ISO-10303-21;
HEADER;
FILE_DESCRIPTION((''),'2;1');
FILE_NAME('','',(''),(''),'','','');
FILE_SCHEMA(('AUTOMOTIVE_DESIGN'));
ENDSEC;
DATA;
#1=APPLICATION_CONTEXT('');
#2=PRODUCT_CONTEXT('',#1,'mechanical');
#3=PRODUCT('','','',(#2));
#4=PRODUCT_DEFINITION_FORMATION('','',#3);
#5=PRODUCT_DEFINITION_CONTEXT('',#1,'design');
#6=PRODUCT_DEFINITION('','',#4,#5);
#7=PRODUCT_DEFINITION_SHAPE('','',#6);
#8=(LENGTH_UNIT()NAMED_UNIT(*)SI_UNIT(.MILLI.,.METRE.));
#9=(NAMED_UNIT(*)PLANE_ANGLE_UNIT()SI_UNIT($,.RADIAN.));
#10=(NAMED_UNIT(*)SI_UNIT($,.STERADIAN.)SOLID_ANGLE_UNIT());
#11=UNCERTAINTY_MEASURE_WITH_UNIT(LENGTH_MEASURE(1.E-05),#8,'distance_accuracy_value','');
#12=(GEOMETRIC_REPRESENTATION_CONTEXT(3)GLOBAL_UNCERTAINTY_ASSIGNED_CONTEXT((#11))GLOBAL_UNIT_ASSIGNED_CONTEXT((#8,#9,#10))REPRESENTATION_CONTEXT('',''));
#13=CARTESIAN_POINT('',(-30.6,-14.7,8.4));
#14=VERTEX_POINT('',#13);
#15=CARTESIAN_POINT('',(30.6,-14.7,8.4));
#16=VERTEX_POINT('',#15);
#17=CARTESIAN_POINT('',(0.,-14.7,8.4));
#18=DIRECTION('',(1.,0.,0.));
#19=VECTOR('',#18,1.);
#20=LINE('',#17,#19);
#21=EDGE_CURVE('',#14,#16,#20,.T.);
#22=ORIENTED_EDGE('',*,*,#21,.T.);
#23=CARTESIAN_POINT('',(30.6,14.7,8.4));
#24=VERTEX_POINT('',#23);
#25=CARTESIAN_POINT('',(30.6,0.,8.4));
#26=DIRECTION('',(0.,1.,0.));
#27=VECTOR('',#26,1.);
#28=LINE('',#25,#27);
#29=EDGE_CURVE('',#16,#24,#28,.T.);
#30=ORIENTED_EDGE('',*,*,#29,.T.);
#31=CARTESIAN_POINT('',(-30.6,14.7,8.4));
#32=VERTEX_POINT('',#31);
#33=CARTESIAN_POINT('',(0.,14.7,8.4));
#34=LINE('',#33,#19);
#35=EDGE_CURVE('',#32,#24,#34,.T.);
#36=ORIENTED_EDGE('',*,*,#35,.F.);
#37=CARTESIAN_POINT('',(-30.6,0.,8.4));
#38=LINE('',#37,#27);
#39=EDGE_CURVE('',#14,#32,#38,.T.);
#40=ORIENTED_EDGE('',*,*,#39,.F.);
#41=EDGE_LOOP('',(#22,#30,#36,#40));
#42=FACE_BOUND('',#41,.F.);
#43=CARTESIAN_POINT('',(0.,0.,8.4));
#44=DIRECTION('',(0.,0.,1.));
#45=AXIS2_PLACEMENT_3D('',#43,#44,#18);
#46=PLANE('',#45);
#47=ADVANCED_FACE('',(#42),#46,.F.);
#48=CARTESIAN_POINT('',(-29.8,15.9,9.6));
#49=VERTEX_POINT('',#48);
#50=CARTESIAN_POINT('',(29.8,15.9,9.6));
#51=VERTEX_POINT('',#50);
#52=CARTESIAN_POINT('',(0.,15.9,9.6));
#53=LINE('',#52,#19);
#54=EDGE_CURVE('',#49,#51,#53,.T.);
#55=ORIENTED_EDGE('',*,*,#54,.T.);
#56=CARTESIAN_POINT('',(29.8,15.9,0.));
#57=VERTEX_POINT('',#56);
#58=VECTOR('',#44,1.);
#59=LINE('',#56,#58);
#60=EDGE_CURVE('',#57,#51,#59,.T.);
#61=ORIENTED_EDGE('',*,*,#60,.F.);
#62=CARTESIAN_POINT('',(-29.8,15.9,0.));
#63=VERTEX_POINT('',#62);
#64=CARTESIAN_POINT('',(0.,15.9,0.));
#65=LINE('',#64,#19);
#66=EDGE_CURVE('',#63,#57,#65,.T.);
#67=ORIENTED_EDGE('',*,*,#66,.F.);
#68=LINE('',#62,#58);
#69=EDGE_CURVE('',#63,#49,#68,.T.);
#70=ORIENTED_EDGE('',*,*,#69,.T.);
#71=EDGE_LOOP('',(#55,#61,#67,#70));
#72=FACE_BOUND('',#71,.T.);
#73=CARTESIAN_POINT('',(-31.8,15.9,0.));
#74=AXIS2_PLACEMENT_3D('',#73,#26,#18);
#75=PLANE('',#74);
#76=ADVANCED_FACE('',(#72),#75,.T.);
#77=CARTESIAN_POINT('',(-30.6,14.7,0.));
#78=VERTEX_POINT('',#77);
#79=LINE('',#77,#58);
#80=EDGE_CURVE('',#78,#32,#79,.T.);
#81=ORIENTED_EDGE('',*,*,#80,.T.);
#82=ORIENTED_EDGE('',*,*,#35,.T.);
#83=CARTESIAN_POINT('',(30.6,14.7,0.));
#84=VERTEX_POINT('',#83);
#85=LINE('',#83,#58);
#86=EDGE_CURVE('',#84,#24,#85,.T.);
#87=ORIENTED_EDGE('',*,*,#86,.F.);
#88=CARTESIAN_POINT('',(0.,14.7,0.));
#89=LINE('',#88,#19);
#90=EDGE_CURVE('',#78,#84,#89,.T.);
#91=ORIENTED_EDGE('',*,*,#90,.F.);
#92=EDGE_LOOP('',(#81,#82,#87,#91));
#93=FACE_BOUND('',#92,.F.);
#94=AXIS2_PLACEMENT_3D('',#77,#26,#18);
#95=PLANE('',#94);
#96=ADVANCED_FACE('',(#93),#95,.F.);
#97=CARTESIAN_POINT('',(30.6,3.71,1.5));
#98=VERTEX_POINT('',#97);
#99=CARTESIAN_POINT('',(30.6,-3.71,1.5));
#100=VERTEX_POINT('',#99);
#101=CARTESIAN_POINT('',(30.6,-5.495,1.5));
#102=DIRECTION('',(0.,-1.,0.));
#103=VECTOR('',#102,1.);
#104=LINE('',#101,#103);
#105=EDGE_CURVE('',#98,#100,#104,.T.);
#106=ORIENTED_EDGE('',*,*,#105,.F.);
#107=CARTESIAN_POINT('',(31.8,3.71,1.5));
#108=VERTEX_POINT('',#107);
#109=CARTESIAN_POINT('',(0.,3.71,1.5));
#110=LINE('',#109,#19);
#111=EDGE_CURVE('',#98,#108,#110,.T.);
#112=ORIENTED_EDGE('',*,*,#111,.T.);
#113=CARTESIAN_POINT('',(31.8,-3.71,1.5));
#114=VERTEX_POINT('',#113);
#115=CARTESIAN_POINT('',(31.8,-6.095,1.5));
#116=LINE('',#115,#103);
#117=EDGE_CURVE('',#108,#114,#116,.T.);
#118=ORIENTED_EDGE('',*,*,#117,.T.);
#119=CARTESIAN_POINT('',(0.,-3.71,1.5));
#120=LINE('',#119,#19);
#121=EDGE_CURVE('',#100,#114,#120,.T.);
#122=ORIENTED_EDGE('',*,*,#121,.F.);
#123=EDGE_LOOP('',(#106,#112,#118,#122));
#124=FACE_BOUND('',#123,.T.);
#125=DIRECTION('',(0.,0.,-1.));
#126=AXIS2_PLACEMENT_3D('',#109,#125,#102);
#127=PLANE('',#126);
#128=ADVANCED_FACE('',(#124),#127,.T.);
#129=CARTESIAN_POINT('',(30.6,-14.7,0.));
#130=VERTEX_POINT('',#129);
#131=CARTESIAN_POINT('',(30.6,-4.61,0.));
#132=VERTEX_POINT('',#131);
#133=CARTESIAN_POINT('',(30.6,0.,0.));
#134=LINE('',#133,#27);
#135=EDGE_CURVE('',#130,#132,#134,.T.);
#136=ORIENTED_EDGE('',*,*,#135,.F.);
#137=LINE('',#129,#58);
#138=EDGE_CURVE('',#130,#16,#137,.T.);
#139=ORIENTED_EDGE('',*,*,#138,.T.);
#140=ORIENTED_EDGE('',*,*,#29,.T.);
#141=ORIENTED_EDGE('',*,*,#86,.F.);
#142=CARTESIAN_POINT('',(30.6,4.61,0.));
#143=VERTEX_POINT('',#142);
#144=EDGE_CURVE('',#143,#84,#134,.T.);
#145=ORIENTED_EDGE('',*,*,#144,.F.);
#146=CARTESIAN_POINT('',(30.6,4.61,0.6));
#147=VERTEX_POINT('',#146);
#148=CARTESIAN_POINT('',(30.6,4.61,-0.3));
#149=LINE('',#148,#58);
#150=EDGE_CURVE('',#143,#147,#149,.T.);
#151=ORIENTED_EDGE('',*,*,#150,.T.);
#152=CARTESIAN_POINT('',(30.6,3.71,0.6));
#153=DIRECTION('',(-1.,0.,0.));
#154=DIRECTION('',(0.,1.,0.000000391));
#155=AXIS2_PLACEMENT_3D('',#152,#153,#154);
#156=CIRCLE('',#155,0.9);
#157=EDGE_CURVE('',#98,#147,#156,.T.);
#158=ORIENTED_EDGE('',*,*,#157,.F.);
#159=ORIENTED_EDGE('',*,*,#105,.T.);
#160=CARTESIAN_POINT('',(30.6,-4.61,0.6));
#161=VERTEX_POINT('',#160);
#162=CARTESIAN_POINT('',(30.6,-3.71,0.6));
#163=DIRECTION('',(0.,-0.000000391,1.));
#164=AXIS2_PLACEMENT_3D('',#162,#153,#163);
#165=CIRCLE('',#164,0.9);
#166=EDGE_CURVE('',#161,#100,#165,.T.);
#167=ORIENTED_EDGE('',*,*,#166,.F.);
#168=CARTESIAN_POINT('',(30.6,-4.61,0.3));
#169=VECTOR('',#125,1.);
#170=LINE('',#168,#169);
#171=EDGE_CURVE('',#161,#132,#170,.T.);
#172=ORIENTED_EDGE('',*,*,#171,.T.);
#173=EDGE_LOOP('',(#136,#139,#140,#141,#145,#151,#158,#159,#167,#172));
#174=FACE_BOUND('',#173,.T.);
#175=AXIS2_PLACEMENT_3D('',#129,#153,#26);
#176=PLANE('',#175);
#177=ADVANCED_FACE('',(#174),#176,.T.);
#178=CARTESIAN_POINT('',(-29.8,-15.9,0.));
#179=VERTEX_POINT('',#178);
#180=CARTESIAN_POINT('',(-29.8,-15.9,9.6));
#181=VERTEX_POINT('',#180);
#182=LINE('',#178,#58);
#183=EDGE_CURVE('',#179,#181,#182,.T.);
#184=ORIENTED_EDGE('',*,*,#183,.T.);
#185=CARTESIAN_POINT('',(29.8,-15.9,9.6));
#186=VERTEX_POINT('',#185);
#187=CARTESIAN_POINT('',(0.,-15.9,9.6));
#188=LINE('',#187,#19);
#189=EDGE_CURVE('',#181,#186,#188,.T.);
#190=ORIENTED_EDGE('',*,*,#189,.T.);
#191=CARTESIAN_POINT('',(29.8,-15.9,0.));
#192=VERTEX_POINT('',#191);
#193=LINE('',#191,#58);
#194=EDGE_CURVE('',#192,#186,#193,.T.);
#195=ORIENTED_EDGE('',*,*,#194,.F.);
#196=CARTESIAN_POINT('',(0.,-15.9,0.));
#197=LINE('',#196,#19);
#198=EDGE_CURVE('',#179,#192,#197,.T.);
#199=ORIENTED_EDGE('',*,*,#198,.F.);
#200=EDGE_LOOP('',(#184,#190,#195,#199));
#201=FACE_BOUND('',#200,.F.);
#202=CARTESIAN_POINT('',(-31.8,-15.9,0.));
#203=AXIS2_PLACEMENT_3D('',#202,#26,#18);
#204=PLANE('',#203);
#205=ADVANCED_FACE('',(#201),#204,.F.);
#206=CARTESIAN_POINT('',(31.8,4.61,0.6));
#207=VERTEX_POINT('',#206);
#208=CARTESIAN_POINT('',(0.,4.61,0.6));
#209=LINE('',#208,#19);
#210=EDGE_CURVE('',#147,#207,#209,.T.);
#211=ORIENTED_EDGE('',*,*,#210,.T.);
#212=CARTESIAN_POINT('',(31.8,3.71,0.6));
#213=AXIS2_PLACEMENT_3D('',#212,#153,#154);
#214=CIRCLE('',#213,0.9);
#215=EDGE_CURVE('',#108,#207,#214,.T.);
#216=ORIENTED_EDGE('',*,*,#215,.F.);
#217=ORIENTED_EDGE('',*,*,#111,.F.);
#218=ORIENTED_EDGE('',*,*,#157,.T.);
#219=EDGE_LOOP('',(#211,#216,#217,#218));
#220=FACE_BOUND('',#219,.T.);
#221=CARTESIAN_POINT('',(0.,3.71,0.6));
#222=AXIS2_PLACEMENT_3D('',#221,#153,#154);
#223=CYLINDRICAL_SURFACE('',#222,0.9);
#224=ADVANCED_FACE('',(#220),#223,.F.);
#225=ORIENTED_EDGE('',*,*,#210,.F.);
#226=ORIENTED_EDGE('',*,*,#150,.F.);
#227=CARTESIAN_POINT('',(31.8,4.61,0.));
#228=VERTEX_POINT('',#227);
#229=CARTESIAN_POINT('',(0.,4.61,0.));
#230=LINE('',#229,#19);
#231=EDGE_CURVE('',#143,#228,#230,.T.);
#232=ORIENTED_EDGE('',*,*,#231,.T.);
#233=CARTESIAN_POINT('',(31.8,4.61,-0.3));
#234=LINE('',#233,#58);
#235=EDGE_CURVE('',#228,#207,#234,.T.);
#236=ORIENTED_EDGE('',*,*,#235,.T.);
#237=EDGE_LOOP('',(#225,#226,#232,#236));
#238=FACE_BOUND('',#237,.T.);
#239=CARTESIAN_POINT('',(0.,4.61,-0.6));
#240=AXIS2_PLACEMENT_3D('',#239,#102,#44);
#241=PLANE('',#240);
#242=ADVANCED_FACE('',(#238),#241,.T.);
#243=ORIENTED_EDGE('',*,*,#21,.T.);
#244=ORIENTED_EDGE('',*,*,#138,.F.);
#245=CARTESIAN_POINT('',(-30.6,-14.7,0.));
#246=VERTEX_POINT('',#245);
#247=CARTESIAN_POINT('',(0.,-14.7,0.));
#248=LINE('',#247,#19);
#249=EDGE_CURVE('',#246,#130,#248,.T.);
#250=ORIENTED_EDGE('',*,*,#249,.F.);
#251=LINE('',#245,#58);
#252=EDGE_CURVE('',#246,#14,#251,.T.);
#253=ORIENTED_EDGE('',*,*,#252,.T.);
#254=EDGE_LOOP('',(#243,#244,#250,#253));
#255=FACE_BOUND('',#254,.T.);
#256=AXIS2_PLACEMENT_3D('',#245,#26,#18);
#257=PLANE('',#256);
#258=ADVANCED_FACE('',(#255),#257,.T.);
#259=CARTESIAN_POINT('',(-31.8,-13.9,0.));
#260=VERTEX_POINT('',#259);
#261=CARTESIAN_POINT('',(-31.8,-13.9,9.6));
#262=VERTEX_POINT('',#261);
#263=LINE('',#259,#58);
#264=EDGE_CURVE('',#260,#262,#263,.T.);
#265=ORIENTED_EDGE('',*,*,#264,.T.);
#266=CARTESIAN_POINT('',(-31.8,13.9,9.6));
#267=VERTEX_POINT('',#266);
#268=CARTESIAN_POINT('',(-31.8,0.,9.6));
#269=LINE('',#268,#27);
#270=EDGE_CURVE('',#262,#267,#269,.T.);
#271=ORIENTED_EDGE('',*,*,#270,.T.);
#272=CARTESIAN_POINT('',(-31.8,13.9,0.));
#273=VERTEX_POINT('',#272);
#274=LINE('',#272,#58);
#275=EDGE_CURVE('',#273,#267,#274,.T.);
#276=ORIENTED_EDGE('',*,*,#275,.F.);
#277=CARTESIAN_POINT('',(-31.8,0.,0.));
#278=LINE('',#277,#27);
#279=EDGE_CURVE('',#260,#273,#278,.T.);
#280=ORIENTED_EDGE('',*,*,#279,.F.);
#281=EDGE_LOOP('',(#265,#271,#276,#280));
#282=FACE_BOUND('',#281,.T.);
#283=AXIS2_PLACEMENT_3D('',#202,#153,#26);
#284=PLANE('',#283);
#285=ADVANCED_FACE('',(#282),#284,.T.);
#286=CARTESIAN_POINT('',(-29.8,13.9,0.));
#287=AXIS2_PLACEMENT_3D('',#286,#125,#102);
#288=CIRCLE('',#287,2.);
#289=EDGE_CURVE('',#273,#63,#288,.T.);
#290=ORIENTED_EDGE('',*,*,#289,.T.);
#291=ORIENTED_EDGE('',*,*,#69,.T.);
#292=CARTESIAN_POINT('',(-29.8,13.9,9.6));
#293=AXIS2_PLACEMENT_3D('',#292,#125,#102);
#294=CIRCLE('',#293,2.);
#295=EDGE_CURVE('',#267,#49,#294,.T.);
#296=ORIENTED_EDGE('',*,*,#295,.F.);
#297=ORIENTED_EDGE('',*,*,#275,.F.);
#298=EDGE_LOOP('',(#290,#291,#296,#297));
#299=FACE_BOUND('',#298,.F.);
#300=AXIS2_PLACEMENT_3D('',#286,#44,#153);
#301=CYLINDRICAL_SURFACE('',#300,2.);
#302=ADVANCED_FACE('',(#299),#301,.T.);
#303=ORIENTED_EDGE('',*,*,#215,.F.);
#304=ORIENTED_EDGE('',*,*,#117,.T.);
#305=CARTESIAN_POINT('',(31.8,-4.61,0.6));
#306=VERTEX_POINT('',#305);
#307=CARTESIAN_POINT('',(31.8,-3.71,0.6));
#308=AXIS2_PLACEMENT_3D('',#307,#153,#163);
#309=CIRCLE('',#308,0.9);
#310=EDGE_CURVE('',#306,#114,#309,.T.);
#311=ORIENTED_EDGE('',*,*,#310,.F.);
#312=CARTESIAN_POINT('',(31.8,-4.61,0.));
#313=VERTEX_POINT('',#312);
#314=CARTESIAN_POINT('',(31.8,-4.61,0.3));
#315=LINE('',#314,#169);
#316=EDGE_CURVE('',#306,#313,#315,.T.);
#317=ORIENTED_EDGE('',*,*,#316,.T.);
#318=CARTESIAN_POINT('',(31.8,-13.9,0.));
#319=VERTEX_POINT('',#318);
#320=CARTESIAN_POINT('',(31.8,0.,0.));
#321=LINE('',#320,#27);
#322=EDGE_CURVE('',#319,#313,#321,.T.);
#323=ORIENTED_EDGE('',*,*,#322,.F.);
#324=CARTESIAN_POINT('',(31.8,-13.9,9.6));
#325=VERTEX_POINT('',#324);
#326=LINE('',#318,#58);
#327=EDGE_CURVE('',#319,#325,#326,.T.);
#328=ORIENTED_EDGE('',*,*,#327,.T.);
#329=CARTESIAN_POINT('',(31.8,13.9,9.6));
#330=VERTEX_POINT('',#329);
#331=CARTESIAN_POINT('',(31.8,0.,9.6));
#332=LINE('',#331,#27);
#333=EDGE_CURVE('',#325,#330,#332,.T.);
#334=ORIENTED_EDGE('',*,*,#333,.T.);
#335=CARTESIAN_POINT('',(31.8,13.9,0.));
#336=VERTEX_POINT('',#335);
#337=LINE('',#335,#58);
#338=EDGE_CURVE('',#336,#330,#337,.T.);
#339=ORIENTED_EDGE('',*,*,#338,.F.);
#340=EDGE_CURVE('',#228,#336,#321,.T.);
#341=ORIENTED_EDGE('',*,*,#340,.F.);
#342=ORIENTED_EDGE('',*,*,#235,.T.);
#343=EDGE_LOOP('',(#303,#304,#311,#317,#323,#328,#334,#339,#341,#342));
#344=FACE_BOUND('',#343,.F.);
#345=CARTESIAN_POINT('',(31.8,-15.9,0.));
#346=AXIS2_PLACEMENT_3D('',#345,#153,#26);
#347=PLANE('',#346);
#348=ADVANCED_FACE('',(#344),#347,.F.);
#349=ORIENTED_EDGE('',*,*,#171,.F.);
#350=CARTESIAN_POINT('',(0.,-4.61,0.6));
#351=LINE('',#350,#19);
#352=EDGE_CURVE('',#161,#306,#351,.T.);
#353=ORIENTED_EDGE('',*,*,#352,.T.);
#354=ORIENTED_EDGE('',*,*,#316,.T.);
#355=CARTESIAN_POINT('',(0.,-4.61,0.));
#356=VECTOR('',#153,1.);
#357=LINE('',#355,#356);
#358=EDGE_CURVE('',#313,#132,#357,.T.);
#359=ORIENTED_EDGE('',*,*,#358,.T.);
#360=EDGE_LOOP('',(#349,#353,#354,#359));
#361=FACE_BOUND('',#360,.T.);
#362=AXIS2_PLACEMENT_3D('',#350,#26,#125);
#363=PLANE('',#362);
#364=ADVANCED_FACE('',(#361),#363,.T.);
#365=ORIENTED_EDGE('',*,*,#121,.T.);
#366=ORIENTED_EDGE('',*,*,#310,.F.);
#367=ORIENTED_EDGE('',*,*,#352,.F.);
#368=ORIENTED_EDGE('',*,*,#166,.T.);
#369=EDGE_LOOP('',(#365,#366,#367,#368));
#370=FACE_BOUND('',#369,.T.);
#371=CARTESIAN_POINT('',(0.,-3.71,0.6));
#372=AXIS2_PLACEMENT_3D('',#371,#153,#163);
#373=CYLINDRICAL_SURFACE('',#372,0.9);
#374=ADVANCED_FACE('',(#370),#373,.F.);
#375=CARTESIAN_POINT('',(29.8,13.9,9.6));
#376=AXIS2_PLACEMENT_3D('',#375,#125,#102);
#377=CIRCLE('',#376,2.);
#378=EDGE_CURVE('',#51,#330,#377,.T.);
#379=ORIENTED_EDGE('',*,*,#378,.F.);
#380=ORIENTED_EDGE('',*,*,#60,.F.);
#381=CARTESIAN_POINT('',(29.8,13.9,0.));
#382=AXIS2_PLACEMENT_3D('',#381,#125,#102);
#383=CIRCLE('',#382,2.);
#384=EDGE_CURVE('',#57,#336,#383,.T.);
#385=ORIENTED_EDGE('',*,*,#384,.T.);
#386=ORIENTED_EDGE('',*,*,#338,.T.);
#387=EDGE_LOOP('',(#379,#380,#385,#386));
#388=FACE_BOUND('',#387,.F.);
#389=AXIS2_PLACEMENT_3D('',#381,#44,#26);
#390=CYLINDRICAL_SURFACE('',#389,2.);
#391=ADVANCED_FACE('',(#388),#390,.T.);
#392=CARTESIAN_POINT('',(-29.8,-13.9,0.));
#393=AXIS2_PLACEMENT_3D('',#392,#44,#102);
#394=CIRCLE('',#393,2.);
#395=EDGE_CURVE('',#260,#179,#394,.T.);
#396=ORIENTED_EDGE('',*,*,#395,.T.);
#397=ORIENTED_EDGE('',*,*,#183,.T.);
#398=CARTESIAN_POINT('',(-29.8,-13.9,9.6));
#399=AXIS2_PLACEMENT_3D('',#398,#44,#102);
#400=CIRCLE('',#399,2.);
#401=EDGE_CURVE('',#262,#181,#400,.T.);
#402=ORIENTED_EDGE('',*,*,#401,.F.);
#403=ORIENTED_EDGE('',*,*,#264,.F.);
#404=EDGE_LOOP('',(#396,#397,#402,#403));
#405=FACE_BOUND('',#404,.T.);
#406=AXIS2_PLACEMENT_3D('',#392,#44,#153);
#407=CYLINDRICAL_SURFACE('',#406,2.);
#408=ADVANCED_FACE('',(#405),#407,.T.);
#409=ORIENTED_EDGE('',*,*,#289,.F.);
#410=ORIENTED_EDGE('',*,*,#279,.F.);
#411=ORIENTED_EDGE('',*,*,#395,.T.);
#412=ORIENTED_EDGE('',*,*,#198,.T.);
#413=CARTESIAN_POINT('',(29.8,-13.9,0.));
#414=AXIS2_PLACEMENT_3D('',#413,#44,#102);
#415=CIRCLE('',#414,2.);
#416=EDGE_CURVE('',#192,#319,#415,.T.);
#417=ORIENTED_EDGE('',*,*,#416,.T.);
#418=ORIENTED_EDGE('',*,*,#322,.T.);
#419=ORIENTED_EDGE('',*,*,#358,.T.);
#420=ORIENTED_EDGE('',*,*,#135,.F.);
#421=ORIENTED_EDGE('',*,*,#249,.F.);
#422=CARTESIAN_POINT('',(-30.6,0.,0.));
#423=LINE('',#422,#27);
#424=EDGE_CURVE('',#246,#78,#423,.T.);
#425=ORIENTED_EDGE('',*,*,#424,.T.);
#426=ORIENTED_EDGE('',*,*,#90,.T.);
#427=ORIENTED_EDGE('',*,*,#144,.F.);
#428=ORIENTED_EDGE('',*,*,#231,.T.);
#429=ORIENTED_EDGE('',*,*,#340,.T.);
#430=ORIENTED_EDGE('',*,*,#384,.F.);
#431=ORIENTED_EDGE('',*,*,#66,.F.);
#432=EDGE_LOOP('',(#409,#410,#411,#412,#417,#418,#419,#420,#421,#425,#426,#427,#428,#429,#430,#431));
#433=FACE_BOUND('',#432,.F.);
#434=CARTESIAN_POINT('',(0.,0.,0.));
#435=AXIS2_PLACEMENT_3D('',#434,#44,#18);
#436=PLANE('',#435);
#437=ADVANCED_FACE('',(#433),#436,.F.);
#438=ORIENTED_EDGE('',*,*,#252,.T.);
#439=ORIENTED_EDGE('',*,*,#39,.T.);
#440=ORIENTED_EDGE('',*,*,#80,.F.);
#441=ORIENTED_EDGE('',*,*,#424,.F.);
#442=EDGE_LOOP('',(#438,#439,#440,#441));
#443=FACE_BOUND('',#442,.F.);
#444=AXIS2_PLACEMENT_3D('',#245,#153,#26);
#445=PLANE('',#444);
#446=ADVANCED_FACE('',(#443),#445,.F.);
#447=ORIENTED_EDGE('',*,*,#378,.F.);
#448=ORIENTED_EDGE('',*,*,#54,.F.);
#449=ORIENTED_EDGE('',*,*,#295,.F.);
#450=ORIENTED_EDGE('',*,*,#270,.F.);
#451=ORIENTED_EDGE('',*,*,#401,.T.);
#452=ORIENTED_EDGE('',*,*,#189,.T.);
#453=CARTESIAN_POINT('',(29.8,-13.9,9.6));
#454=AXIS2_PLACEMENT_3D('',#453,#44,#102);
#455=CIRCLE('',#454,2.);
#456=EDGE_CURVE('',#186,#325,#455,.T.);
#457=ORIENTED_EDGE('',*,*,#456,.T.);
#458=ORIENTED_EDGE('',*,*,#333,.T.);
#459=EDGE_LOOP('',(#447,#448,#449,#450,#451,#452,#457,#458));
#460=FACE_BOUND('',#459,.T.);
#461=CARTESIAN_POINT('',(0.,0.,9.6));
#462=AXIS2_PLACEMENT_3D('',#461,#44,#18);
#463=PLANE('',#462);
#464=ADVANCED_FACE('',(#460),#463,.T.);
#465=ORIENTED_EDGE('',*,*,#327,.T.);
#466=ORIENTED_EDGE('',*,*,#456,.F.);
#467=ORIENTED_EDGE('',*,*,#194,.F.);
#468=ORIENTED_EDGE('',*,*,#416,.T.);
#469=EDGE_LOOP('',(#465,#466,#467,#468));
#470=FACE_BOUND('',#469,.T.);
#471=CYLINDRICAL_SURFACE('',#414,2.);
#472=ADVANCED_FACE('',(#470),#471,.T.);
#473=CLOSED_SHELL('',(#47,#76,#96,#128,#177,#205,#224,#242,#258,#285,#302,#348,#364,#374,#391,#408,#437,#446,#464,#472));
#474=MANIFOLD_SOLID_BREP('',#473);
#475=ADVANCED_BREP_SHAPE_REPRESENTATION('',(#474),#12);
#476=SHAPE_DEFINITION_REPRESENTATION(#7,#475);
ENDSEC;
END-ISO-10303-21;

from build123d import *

# Parameters (mm, degrees)
F0_W     = 63.6
F0_H     = 31.8
F1_DEPTH = 9.6
F2_W     = 61.2
F2_H     = 29.4
F3_DEPTH = 8.4
F4_R     = 2
F6_DEPTH = 32


with BuildPart() as f1:
    # F0 (on Top) → F1 (new body)
    with BuildSketch(Plane.XY):
        Rectangle(F0_W, F0_H)
    extrude(amount=F1_DEPTH)

    # F2 (on Top) → F3 (cut)
    with BuildSketch(Plane.XY):
        Rectangle(F2_W, F2_H)
    extrude(amount=F3_DEPTH, mode=Mode.SUBTRACT)

    # F4
    f4_edges = [f1.edges().sort_by_distance(p)[0] for p in [
        (-31.8, -15.9, 4.8),
        (-31.8, 15.9, 4.8),
        (31.8, 15.9, 4.8),
        (31.8, -15.9, 4.8),
    ]]
    fillet(f4_edges, radius=F4_R)

    # F5 (on Right) → F6 (cut)
    with BuildSketch(Plane.YZ):
        with BuildLine():
            Line((3.71, 1.5), (-3.71, 1.5))
            ThreePointArc((-3.71, 1.5), (-4.346396, 1.236396), (-4.61, 0.6))
            Line((-4.61, 0.6), (-4.61, -0.6))
            ThreePointArc((-4.61, -0.6), (-4.346396, -1.236396), (-3.71, -1.5))
            Line((-3.71, -1.5), (3.71, -1.5))
            ThreePointArc((3.71, -1.5), (4.346396, -1.236396), (4.61, -0.6))
            Line((4.61, -0.6), (4.61, 0.6))
            ThreePointArc((4.61, 0.6), (4.346396, 1.236396), (3.71, 1.5))
        make_face()
    extrude(amount=F6_DEPTH, mode=Mode.SUBTRACT)


solid = f1.part
